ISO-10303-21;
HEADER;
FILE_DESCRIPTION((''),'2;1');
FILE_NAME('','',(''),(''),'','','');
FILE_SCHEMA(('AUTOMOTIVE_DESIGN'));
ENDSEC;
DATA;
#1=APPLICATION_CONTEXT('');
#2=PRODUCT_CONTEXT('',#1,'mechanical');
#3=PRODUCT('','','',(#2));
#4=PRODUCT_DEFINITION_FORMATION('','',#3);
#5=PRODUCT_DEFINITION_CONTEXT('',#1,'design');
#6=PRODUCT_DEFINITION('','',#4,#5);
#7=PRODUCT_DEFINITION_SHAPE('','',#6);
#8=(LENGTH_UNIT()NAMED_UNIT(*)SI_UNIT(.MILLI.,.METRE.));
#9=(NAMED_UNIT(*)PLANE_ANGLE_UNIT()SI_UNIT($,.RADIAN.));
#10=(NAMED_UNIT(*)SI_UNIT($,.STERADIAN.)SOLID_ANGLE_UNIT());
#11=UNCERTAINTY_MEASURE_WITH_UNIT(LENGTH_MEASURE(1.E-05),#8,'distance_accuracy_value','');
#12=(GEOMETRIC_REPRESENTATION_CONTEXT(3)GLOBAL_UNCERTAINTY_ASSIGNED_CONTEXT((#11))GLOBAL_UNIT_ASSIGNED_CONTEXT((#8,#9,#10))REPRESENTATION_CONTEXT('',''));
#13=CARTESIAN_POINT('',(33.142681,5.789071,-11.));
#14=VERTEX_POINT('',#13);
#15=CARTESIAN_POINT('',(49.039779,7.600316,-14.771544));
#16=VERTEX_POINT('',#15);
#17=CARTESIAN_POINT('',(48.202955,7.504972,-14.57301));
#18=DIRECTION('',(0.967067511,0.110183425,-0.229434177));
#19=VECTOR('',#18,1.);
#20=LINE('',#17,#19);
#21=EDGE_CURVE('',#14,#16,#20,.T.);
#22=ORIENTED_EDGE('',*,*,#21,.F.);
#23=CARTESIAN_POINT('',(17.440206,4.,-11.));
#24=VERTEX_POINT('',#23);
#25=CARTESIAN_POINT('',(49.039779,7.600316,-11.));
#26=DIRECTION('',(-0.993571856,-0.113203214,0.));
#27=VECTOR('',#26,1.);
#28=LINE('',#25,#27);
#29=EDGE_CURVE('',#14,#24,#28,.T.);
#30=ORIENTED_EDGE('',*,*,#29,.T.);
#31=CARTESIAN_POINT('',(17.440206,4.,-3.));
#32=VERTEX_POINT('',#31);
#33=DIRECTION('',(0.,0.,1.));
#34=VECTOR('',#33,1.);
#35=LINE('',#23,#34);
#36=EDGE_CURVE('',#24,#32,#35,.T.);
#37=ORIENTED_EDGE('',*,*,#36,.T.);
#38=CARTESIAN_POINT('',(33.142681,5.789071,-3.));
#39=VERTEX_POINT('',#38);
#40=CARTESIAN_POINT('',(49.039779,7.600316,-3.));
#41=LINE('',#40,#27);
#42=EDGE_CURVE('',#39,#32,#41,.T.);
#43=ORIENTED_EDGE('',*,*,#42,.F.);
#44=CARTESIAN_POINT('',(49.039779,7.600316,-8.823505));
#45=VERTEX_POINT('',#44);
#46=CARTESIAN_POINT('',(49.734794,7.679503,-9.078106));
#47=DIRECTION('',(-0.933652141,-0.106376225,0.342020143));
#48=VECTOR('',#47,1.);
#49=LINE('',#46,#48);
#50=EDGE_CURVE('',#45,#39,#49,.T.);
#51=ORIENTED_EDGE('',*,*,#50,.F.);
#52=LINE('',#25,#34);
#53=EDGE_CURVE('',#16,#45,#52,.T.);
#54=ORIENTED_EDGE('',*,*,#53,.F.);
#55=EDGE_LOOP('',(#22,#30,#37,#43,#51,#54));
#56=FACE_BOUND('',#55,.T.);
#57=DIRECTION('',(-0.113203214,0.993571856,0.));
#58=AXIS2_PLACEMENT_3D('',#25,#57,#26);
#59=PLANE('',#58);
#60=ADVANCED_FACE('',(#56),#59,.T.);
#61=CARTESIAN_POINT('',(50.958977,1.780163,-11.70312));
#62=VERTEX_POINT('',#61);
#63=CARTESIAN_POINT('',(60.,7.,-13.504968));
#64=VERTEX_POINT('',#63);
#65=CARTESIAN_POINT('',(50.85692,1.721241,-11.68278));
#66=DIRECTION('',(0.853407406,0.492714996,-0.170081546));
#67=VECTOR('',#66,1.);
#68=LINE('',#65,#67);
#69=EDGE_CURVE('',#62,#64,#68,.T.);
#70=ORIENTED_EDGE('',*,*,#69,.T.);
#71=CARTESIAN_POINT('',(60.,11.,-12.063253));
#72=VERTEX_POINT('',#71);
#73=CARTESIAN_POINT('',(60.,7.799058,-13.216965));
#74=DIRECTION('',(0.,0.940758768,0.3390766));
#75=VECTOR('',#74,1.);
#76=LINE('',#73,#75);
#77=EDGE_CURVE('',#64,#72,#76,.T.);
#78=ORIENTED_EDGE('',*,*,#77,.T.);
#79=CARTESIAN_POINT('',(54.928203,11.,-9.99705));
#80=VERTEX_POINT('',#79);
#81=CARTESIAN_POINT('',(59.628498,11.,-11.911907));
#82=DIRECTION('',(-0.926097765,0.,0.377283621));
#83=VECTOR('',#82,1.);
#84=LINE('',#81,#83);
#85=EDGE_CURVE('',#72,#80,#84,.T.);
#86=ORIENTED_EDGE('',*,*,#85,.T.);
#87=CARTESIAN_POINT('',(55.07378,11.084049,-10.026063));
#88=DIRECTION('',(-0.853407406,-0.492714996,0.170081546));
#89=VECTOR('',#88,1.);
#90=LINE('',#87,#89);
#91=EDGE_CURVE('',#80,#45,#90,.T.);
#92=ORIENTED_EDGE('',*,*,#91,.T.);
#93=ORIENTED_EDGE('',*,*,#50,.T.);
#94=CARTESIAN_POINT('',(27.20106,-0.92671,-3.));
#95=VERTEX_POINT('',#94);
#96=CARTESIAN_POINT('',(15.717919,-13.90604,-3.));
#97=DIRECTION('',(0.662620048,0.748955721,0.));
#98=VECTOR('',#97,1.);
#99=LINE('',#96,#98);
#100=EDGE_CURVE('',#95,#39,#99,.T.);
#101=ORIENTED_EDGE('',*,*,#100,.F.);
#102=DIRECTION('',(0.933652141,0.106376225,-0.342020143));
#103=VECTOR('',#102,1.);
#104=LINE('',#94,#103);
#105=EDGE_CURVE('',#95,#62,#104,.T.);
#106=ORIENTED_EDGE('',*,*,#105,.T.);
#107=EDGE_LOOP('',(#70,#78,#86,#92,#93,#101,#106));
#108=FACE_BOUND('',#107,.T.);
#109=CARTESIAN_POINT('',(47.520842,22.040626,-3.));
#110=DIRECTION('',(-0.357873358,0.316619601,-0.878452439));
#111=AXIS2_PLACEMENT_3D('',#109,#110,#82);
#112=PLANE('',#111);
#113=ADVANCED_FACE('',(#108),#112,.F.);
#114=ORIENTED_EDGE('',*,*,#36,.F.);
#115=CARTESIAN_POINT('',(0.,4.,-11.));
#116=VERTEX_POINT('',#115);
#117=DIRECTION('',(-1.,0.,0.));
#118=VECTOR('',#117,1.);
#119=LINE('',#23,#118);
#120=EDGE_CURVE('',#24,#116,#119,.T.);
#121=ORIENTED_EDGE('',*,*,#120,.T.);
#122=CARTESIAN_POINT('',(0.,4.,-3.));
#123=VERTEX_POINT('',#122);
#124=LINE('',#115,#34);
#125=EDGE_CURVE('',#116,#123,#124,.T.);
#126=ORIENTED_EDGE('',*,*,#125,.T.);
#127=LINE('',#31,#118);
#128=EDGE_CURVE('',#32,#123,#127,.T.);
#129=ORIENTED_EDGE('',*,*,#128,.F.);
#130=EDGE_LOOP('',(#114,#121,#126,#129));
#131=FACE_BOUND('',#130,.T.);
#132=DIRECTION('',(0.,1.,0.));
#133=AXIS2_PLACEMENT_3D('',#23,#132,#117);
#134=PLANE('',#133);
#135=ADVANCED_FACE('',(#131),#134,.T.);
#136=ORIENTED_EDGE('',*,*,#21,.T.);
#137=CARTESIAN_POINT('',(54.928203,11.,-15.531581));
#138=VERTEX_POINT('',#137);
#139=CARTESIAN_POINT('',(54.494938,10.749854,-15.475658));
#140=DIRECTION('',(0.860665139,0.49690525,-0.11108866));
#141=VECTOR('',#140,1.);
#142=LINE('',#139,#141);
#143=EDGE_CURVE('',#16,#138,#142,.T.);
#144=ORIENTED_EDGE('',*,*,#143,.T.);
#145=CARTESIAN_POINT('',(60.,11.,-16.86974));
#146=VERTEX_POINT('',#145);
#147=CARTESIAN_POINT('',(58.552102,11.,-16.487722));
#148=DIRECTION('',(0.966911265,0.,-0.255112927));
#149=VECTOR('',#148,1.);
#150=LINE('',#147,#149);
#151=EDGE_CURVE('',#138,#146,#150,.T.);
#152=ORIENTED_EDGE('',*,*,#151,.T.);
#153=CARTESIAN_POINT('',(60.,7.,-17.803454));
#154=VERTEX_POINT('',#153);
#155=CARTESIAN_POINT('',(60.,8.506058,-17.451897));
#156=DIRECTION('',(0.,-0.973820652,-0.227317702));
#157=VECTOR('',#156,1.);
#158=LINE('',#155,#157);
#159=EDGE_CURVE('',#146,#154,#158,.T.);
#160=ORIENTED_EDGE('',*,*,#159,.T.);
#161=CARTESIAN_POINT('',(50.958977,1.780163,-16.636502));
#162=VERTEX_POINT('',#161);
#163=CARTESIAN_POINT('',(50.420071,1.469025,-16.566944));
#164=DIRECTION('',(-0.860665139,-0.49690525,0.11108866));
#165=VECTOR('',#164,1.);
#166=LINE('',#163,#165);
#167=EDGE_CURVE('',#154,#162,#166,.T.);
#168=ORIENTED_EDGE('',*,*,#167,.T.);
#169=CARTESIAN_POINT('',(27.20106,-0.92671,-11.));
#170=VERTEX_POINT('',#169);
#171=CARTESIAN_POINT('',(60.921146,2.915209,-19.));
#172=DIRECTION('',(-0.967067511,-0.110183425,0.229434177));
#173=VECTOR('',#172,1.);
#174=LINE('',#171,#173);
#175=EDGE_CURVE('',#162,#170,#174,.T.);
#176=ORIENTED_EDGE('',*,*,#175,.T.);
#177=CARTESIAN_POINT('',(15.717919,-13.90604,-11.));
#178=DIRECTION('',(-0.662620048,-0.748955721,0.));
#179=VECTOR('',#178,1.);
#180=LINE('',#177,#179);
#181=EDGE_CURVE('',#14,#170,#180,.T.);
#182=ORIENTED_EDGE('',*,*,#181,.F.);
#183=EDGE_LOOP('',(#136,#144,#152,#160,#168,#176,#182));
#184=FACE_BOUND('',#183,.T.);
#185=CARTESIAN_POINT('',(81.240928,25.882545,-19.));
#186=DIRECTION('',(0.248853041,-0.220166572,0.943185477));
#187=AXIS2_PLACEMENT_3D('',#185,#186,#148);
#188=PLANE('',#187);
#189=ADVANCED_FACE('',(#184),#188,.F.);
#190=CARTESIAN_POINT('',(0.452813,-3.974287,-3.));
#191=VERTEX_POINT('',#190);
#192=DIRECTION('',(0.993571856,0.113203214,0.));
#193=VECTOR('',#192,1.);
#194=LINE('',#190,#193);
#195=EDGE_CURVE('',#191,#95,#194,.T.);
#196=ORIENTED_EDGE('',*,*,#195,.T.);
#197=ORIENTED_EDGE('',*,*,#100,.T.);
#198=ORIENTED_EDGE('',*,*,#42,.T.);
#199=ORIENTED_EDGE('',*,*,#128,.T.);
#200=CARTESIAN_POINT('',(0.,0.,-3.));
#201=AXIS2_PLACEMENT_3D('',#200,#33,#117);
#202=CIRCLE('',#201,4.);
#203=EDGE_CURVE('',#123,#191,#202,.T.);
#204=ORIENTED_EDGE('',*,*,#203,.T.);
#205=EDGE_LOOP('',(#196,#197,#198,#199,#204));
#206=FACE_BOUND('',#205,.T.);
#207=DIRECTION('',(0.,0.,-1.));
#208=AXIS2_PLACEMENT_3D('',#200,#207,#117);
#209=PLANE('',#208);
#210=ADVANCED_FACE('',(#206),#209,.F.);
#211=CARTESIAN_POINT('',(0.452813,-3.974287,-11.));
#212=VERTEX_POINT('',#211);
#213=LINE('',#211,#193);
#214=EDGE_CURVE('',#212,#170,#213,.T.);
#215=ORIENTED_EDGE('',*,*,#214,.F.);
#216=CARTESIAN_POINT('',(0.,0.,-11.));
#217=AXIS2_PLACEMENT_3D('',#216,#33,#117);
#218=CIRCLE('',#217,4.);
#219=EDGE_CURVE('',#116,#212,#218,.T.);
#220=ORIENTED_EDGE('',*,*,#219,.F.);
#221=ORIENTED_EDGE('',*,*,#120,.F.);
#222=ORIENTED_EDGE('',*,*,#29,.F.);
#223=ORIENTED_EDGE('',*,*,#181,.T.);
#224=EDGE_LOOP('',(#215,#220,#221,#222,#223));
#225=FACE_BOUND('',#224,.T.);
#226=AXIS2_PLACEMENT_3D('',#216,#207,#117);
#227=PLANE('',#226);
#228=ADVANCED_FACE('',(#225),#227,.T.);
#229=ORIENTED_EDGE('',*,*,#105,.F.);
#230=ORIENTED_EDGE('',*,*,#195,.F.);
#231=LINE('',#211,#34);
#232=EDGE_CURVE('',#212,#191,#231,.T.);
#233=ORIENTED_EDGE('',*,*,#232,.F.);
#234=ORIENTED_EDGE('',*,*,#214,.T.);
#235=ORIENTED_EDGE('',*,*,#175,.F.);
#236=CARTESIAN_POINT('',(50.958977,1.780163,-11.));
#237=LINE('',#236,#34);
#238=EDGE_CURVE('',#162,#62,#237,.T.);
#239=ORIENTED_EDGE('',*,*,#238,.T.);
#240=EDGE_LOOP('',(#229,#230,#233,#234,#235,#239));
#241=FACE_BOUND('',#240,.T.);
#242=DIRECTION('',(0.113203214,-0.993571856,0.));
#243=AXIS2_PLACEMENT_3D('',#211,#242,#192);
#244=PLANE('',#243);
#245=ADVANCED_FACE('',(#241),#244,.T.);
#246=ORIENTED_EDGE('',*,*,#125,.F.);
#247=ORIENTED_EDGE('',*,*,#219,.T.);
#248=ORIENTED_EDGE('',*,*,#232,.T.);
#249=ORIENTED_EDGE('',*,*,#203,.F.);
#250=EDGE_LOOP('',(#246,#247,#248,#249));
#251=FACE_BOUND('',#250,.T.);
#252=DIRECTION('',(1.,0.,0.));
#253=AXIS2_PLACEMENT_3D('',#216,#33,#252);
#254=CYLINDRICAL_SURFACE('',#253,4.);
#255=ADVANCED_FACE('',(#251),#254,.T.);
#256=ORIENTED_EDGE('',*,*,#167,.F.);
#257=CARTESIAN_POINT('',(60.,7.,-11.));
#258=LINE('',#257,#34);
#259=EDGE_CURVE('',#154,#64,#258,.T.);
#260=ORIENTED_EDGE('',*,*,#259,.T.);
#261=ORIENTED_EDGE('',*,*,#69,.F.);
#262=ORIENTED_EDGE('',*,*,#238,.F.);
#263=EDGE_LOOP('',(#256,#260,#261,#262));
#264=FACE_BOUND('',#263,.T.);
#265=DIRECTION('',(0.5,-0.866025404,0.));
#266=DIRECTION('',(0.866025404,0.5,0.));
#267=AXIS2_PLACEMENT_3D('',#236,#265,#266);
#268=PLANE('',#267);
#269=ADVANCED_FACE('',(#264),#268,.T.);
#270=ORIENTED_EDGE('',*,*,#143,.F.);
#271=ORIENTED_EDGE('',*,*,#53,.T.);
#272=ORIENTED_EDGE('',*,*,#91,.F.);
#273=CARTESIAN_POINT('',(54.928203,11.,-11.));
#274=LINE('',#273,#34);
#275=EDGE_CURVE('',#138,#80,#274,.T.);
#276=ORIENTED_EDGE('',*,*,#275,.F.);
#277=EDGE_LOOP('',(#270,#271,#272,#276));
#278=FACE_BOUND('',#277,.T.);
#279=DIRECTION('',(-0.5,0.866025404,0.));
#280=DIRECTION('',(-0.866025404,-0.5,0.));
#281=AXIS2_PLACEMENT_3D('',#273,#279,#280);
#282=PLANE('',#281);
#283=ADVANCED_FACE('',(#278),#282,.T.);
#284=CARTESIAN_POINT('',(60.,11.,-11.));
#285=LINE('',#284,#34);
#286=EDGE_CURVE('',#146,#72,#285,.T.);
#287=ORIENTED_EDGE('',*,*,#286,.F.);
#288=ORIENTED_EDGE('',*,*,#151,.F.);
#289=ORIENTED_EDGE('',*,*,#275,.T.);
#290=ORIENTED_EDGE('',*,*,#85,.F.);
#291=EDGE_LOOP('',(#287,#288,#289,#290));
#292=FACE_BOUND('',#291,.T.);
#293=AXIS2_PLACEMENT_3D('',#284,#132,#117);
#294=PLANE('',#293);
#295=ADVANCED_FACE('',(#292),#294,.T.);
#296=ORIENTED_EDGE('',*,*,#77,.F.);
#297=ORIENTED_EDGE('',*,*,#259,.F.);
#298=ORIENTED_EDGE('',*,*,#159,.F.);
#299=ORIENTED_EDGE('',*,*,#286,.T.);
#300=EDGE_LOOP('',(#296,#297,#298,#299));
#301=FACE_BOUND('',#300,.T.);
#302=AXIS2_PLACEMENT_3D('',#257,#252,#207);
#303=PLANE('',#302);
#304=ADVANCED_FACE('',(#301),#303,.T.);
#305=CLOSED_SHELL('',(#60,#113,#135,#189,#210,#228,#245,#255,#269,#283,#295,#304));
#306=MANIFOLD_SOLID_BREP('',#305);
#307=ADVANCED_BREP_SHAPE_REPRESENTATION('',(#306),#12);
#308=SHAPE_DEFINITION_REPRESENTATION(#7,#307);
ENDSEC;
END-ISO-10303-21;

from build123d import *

# Parameters (mm, degrees)
EXTRUDE_START       = -3
EXTRUDE_1_DEPTH     = 8
EXTRUDE_2_DEPTH     = 8
CUT_EXTRUDE_1_DEPTH = 24.482669171


with BuildPart() as part:
    # 草图2 → 凸台-拉伸1 (new body)
    with BuildSketch(Plane.XY.offset(EXTRUDE_START)):
        with BuildLine():
            Line((0.452812855, -3.974287423), (50.958977377, 1.780163155))
            Line((50.958977377, 1.780163155), (60, 7))
            Line((60, 7), (60, 11))
            Line((60, 11), (54.92820323, 11))
            Line((54.92820323, 11), (49.039778636, 7.600316475))
            Line((49.039778636, 7.600316475), (17.440206483, 4))
            Line((17.440206483, 4), (0, 4))
            ThreePointArc((0, 4), (-3.993566682, -0.22677115), (0.452812855, -3.974287423))
        make_face()
    extrude(amount=-EXTRUDE_1_DEPTH)

    # 草图3 → 凸台-拉伸2 (add)
    with BuildSketch(Plane(origin=(0, 0, -11), x_dir=(-1, 0, 0), z_dir=(0, 0, -1))):
        Polygon((-27.201059955, -0.926709618), (-33.142680696, 5.789070951), (-49.039778636, 7.600316475), (-54.92820323, 11), (-60, 11), (-60, 7), (-50.958977377, 1.780163155), align=None)
    extrude(amount=EXTRUDE_2_DEPTH)

    # 草图4 → 切除-拉伸1 (cut, through all, along a direction that is not the sketch's normal)
    with BuildSketch(Plane(origin=(0.452812855, -3.974287423, 0), x_dir=(0.993571856, 0.113203214, 0), z_dir=(0.113203214, -0.993571856, 0))):
        Polygon((26.921301109, -11), (26.921301109, -19), (60.859546692, -19), align=None)
        Polygon((26.921301109, -3), (60.859546692, -15.352511196), (60.859546692, -3), align=None)
    extrude(amount=-CUT_EXTRUDE_1_DEPTH, dir=(-0.662620048, -0.748955721, 0), mode=Mode.SUBTRACT)


solid = part.part
